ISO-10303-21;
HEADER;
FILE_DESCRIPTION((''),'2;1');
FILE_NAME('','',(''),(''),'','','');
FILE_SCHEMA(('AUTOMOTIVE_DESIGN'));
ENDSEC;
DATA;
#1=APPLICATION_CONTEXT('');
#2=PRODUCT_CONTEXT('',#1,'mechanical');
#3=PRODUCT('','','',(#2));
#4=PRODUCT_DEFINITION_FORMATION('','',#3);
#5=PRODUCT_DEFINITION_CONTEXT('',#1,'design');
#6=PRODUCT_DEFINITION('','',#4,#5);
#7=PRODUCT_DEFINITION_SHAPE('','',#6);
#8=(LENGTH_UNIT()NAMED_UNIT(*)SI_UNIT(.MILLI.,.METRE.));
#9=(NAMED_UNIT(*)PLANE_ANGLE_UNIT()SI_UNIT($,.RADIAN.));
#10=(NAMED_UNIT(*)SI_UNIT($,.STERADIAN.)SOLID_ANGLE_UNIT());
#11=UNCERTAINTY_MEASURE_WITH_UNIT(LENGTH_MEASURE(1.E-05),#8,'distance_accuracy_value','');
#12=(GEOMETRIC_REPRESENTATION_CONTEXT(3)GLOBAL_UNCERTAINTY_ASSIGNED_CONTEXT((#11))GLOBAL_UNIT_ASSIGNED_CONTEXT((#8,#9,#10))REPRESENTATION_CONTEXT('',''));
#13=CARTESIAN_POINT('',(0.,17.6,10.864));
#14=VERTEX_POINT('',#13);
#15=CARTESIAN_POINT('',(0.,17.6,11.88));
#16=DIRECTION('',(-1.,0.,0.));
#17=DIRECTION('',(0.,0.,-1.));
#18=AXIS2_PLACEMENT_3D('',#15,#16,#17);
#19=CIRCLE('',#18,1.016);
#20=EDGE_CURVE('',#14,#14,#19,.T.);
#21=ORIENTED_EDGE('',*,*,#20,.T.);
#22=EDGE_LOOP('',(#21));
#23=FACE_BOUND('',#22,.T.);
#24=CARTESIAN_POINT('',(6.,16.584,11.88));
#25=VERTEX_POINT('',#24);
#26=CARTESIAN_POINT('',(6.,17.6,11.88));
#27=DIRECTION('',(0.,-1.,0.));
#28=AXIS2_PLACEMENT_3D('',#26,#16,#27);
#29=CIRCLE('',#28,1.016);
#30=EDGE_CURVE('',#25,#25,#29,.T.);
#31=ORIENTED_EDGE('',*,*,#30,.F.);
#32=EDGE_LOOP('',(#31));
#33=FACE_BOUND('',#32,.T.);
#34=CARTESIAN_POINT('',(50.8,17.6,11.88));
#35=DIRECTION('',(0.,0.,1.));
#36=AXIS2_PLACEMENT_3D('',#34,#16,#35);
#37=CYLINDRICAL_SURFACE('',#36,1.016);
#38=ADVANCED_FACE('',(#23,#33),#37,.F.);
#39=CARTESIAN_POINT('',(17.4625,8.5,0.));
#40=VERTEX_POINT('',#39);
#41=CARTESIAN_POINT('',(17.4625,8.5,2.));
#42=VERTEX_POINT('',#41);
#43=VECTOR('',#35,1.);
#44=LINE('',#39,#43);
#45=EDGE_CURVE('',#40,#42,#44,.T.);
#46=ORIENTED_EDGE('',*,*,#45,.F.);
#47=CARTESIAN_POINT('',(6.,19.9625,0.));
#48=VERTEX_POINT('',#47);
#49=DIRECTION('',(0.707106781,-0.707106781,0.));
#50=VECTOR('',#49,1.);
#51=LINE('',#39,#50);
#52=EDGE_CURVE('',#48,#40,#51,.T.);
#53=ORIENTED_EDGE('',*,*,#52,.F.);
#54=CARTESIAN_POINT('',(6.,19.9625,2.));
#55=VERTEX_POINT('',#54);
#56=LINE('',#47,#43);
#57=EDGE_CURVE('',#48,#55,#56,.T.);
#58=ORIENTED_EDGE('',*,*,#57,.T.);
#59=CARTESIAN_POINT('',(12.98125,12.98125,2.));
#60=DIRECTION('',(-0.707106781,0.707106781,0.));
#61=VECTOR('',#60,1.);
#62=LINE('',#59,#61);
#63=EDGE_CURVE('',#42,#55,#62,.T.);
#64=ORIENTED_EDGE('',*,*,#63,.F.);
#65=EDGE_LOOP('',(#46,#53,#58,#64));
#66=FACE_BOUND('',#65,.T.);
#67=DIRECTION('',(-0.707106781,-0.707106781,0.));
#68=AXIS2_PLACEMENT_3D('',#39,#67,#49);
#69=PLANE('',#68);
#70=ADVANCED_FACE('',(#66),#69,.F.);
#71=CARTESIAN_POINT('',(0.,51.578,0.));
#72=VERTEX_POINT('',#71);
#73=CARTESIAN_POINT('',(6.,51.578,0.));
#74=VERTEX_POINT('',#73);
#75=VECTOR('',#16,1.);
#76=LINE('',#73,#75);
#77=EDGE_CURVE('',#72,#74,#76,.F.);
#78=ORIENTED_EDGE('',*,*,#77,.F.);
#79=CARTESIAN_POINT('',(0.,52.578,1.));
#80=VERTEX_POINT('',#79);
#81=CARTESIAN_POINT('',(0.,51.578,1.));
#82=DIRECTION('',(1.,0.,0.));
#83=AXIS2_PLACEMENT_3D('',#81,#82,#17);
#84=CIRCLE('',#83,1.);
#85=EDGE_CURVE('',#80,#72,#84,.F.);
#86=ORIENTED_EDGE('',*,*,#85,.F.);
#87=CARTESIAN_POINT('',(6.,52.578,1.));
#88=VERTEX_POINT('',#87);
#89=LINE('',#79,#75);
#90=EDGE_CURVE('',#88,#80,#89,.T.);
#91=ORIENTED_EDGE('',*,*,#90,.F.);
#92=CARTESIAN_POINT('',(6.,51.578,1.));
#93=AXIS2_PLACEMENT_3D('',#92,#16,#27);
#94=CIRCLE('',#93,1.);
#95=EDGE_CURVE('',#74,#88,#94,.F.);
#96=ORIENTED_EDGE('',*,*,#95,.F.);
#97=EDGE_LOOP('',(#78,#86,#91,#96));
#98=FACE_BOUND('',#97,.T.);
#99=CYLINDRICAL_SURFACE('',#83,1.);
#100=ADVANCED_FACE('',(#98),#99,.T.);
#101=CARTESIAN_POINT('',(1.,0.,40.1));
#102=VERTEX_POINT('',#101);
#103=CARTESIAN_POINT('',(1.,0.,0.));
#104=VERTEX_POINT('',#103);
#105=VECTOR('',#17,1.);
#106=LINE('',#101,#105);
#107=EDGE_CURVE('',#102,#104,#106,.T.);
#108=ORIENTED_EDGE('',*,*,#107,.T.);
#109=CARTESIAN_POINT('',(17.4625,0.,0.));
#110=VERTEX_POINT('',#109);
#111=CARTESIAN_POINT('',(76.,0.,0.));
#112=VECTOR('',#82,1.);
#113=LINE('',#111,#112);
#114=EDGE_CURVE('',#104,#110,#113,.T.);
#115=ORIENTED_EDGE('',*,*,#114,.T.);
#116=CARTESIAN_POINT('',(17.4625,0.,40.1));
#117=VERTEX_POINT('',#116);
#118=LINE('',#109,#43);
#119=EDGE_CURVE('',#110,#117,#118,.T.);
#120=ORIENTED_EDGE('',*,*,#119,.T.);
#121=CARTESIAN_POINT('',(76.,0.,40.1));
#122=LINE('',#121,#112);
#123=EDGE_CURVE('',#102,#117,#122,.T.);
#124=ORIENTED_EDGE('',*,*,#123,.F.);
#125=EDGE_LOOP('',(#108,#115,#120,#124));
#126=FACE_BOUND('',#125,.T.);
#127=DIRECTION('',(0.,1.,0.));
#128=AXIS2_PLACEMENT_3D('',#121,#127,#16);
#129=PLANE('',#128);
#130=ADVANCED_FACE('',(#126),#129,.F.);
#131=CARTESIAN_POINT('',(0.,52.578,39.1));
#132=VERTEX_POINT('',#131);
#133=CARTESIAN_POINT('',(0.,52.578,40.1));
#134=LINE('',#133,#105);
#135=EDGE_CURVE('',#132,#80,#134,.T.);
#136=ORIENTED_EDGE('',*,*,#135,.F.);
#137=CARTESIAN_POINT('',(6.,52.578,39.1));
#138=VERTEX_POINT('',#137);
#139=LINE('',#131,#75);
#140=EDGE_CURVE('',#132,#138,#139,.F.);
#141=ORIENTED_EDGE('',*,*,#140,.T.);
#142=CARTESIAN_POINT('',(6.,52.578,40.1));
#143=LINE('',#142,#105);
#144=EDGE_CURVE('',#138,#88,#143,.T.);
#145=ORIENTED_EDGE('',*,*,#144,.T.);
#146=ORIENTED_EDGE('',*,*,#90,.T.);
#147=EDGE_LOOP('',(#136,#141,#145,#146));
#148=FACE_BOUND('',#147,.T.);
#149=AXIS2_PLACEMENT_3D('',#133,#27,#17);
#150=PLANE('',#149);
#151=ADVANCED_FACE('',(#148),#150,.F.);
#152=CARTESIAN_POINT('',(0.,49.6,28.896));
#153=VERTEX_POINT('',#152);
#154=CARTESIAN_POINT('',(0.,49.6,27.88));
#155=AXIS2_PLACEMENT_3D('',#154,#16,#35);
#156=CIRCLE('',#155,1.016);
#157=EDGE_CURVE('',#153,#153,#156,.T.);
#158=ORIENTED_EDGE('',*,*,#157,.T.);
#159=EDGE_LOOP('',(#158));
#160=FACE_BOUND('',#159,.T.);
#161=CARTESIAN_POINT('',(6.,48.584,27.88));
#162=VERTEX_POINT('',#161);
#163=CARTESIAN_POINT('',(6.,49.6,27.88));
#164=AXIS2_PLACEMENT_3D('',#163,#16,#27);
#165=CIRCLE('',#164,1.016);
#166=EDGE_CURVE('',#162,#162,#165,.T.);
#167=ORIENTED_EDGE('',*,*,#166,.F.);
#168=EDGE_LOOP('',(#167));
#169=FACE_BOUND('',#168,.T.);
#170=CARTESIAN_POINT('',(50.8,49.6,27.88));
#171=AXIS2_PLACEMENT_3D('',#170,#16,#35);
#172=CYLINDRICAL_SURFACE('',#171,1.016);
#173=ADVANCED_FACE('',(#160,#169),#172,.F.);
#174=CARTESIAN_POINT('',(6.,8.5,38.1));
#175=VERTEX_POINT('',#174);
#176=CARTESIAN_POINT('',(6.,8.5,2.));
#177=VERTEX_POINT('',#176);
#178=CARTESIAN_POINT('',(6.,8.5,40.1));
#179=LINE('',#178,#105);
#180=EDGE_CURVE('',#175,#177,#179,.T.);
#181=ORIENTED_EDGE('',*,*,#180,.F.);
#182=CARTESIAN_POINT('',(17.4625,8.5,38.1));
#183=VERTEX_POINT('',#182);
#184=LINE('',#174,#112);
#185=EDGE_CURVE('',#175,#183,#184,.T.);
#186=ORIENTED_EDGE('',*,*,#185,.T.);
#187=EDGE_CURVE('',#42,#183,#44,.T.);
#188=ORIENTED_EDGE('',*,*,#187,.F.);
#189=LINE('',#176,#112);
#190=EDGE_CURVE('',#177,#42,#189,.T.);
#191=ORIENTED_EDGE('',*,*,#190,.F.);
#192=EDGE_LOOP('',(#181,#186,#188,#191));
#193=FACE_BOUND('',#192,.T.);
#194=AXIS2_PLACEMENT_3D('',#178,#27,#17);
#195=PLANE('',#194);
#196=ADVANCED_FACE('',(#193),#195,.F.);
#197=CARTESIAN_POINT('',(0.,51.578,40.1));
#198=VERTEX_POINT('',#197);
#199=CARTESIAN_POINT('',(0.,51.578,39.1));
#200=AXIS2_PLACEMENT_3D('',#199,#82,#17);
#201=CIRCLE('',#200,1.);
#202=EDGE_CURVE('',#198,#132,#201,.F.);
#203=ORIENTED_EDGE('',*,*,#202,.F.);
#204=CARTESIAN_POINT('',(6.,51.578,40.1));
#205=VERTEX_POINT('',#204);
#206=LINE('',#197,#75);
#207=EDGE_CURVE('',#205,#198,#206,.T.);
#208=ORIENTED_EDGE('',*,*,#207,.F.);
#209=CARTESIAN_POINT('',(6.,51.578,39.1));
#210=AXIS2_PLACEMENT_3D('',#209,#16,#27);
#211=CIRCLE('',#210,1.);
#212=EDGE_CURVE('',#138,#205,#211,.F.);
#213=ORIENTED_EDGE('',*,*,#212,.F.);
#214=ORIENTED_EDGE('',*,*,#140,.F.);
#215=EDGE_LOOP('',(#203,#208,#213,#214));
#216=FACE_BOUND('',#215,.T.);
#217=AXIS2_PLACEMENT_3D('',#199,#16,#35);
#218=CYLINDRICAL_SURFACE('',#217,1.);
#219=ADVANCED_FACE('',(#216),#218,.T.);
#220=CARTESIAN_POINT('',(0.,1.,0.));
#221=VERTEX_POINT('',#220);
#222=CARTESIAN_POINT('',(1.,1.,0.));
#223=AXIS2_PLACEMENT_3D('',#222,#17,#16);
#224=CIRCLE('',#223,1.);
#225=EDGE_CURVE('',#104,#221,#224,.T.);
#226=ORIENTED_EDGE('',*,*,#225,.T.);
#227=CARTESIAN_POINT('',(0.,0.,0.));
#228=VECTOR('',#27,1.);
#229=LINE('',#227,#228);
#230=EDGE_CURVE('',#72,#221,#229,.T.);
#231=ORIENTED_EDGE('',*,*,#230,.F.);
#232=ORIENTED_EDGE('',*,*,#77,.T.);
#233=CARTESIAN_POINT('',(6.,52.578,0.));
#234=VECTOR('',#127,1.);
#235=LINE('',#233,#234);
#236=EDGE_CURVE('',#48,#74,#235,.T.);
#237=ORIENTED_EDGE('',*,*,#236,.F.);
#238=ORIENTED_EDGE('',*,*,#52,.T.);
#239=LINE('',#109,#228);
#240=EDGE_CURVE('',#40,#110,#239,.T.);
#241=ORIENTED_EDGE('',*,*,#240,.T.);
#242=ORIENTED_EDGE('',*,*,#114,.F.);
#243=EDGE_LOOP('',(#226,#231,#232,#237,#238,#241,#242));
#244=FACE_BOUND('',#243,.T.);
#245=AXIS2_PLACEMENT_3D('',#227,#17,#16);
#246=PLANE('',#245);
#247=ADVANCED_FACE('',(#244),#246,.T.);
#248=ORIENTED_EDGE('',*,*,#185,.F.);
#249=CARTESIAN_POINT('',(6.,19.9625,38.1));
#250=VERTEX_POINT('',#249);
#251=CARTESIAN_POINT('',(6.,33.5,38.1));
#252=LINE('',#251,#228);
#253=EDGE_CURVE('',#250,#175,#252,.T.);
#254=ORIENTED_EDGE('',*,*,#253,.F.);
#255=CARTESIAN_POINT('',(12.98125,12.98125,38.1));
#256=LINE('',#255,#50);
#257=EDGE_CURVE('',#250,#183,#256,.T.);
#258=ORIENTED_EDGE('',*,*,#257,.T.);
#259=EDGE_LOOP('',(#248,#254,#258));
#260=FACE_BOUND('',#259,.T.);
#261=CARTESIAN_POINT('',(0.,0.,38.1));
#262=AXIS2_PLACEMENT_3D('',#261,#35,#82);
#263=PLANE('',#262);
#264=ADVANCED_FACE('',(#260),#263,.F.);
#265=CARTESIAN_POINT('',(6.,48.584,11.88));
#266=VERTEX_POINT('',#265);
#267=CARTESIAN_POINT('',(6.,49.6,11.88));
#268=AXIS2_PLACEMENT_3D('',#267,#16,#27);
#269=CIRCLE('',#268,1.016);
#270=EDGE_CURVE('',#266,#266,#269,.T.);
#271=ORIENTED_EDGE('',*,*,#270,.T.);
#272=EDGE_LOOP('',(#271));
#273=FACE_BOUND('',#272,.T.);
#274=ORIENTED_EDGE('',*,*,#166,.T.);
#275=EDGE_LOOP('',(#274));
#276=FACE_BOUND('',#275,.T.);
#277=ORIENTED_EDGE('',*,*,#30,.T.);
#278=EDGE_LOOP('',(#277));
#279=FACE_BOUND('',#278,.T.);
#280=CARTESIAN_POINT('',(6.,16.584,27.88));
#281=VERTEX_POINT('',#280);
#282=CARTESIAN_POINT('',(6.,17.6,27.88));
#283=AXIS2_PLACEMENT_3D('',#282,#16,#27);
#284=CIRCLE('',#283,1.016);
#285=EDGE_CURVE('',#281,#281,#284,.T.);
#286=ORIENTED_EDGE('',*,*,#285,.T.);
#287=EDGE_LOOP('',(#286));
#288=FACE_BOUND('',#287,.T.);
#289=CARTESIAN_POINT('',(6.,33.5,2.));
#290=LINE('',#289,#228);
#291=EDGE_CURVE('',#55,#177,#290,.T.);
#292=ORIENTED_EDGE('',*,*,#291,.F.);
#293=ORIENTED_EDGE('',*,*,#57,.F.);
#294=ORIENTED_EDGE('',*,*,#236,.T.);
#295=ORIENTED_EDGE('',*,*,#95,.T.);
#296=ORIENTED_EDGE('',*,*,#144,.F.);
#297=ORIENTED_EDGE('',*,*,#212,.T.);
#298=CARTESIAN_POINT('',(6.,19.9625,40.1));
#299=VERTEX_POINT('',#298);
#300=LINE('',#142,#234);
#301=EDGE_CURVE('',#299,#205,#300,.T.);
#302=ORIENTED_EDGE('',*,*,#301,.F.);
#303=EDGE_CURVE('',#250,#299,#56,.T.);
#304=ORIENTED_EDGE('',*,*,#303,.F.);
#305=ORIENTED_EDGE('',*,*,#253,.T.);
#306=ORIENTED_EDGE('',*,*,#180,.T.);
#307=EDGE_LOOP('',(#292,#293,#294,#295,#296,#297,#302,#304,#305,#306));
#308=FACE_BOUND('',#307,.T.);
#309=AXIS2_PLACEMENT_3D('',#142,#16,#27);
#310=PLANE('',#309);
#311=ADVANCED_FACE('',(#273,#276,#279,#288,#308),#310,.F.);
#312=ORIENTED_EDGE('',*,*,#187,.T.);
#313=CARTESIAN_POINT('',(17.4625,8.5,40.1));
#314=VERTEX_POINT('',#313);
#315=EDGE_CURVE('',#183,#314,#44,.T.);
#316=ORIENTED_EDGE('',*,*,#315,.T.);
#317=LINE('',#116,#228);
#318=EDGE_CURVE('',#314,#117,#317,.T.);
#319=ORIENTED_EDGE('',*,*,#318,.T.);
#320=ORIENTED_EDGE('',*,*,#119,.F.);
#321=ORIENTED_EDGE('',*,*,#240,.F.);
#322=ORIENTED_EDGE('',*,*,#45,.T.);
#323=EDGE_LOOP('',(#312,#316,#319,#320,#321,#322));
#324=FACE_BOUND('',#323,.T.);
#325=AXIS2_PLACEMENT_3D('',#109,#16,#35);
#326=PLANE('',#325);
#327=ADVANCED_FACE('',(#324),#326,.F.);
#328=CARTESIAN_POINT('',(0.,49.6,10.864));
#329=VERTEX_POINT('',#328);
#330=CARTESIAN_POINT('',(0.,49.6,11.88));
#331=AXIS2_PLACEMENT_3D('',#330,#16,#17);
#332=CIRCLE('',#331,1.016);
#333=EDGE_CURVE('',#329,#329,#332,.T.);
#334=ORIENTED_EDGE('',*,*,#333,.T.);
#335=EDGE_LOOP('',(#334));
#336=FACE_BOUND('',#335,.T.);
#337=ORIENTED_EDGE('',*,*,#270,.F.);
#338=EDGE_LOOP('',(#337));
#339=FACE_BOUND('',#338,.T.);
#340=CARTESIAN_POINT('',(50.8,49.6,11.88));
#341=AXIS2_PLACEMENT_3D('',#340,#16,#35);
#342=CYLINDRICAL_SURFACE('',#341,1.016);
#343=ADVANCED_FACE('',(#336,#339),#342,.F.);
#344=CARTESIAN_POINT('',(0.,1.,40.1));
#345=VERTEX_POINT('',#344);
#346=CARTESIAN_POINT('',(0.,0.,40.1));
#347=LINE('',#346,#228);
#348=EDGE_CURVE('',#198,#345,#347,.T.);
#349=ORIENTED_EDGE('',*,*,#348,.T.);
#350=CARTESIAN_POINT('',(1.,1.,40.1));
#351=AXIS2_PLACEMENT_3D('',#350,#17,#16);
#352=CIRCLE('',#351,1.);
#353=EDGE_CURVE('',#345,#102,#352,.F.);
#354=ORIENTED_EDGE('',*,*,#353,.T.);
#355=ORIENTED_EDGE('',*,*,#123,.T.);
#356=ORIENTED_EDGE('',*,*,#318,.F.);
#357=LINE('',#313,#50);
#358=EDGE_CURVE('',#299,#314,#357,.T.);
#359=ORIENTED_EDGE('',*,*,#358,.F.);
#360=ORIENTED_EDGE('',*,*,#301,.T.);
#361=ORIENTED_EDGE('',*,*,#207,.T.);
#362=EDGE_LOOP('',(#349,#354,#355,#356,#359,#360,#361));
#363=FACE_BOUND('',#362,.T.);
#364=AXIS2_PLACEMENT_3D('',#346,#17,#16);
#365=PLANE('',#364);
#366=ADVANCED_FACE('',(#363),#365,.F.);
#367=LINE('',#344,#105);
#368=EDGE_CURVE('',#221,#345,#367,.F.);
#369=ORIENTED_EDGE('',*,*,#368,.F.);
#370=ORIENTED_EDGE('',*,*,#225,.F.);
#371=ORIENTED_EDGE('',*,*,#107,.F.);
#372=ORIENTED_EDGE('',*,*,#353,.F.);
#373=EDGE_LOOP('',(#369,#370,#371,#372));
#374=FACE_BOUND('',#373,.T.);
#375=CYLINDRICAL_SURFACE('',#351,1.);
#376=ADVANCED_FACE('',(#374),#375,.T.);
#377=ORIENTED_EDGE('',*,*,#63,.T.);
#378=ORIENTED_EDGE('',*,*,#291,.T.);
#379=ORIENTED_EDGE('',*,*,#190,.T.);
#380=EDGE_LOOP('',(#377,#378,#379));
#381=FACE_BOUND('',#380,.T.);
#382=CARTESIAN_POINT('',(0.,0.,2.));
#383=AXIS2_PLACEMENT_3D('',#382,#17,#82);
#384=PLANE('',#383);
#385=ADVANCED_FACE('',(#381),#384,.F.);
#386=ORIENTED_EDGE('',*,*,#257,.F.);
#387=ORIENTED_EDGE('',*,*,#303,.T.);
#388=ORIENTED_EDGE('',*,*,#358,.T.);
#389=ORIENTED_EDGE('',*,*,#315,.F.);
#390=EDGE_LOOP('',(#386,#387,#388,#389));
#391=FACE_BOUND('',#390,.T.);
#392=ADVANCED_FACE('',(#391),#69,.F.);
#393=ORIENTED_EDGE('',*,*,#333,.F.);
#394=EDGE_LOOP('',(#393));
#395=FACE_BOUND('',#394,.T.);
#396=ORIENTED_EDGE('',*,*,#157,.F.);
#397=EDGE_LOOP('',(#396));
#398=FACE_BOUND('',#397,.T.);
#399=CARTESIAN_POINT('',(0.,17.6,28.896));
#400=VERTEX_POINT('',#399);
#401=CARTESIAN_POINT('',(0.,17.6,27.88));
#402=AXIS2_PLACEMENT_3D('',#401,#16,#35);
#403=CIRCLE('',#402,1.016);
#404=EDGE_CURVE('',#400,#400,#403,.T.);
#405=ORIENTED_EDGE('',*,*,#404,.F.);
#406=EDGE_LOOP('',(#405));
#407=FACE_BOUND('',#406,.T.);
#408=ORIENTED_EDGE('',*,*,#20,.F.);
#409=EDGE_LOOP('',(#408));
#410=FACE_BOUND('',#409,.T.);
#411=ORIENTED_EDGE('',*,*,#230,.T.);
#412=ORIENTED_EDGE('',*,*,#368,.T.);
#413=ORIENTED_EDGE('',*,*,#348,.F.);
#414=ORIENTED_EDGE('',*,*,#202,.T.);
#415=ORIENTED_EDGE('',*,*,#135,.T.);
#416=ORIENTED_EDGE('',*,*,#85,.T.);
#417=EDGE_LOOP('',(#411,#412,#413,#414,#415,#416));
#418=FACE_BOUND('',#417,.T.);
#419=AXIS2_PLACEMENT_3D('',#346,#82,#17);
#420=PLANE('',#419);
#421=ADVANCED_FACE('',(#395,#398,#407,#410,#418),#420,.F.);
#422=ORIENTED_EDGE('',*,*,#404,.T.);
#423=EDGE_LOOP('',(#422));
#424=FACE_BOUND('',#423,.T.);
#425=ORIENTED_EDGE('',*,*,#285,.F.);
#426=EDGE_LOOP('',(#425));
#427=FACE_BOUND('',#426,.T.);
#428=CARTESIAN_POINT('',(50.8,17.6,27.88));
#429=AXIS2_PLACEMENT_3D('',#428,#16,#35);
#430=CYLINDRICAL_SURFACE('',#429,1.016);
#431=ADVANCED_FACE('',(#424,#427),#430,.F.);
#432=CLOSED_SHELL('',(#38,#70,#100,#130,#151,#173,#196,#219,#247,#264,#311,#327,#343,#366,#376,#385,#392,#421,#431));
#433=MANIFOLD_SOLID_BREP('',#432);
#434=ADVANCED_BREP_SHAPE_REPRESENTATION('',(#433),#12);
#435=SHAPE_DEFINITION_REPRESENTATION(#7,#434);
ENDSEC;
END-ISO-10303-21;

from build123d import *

# Parameters (mm, degrees)
BOSS_EXTRUDE1_DEPTH = 40.1
SKETCH3_R           = 1.35
CUT_EXTRUDE2_DEPTH  = 50.8
SKETCH4_R           = 1.016
CUT_EXTRUDE3_DEPTH  = 50.8
SKETCH6_W           = 62.086073973
SKETCH6_H           = 34.1
CUT_EXTRUDE4_DEPTH  = 6
BOSS_EXTRUDE5_DEPTH = 2
FILLET1_R           = 1
CUT_EXTRUDE5_DEPTH  = 101.73954578


with BuildPart() as part:
    # Sketch1 → Boss-Extrude1 (new body)
    with BuildSketch(Plane.XY):
        Polygon((0, 0), (0, 52.578), (6, 52.578), (6, 8.5), (76, 8.5), (76, 0), align=None)
    extrude(amount=BOSS_EXTRUDE1_DEPTH)

    # Sketch3 → Cut-Extrude2 (cut)
    with BuildSketch(Plane.XY.offset(40.1)):
        with Locations((27.996, 2.8)):
            Circle(SKETCH3_R)
        with Locations((49.996, 2.8)):
            Circle(SKETCH3_R)
        with Locations((71.996, 2.8)):
            Circle(SKETCH3_R)
    extrude(amount=-CUT_EXTRUDE2_DEPTH, mode=Mode.SUBTRACT)

    # Sketch4 → Cut-Extrude3 (cut)
    with BuildSketch(Plane.ZY):
        with Locations((27.88, 17.6)):
            Circle(SKETCH4_R)
        with Locations(Location((11.88, 17.6, 0), (0, 0, 270))):
            Circle(SKETCH4_R)
        with Locations((27.88, 49.6)):
            Circle(SKETCH4_R)
        with Locations(Location((11.88, 49.6, 0), (0, 0, 270))):
            Circle(SKETCH4_R)
    extrude(amount=-CUT_EXTRUDE3_DEPTH, mode=Mode.SUBTRACT)

    # Sketch6 → Cut-Extrude4 (cut)
    with BuildSketch(Plane.XZ):
        with Locations((50.043036987, 20.05)):
            Rectangle(SKETCH6_W, SKETCH6_H)
    extrude(amount=-CUT_EXTRUDE4_DEPTH, mode=Mode.SUBTRACT)

    # Sketch16 → Boss-Extrude5 (add)
    with BuildSketch(Plane.XY.offset(40.1)):
        Polygon((6, 8.5), (26, 8.5), (6, 33.5), align=None)
    boss_extrude5 = extrude(amount=-BOSS_EXTRUDE5_DEPTH)

    # Mirror2: Boss-Extrude5 across plane
    add(boss_extrude5.mirror(Plane(origin=(0, 0, 20.05), x_dir=(1, 0, 0), z_dir=(0, 0, -1))))

    # Fillet1
    fillet1_edges = [part.edges().sort_by_distance(p)[0] for p in [
        (0, 0, 20.05),
        (76, 0, 38.6),
        (3, 52.578, 40.1),
        (76, 0, 1.5),
        (3, 52.578, 0),
    ]]
    fillet(fillet1_edges, radius=FILLET1_R)

    # Sketch17 → Cut-Extrude5 (cut, through all)
    with BuildSketch(Plane.XY.offset(40.1)):
        with BuildLine():
            Line((17.4625, 0), (17.4625, 8.5))
            Line((17.4625, 8.5), (6, 19.9625))
            Line((6, 19.9625), (6, 33.5))
            Line((6, 33.5), (26, 8.5))
            Line((26, 8.5), (76, 8.5))
            Line((76, 8.5), (76, 1))
            ThreePointArc((76, 1), (75.707106781, 0.292893219), (75, 0))
            Line((75, 0), (17.4625, 0))
        make_face()
    extrude(amount=-CUT_EXTRUDE5_DEPTH, mode=Mode.SUBTRACT)


solid = part.part
